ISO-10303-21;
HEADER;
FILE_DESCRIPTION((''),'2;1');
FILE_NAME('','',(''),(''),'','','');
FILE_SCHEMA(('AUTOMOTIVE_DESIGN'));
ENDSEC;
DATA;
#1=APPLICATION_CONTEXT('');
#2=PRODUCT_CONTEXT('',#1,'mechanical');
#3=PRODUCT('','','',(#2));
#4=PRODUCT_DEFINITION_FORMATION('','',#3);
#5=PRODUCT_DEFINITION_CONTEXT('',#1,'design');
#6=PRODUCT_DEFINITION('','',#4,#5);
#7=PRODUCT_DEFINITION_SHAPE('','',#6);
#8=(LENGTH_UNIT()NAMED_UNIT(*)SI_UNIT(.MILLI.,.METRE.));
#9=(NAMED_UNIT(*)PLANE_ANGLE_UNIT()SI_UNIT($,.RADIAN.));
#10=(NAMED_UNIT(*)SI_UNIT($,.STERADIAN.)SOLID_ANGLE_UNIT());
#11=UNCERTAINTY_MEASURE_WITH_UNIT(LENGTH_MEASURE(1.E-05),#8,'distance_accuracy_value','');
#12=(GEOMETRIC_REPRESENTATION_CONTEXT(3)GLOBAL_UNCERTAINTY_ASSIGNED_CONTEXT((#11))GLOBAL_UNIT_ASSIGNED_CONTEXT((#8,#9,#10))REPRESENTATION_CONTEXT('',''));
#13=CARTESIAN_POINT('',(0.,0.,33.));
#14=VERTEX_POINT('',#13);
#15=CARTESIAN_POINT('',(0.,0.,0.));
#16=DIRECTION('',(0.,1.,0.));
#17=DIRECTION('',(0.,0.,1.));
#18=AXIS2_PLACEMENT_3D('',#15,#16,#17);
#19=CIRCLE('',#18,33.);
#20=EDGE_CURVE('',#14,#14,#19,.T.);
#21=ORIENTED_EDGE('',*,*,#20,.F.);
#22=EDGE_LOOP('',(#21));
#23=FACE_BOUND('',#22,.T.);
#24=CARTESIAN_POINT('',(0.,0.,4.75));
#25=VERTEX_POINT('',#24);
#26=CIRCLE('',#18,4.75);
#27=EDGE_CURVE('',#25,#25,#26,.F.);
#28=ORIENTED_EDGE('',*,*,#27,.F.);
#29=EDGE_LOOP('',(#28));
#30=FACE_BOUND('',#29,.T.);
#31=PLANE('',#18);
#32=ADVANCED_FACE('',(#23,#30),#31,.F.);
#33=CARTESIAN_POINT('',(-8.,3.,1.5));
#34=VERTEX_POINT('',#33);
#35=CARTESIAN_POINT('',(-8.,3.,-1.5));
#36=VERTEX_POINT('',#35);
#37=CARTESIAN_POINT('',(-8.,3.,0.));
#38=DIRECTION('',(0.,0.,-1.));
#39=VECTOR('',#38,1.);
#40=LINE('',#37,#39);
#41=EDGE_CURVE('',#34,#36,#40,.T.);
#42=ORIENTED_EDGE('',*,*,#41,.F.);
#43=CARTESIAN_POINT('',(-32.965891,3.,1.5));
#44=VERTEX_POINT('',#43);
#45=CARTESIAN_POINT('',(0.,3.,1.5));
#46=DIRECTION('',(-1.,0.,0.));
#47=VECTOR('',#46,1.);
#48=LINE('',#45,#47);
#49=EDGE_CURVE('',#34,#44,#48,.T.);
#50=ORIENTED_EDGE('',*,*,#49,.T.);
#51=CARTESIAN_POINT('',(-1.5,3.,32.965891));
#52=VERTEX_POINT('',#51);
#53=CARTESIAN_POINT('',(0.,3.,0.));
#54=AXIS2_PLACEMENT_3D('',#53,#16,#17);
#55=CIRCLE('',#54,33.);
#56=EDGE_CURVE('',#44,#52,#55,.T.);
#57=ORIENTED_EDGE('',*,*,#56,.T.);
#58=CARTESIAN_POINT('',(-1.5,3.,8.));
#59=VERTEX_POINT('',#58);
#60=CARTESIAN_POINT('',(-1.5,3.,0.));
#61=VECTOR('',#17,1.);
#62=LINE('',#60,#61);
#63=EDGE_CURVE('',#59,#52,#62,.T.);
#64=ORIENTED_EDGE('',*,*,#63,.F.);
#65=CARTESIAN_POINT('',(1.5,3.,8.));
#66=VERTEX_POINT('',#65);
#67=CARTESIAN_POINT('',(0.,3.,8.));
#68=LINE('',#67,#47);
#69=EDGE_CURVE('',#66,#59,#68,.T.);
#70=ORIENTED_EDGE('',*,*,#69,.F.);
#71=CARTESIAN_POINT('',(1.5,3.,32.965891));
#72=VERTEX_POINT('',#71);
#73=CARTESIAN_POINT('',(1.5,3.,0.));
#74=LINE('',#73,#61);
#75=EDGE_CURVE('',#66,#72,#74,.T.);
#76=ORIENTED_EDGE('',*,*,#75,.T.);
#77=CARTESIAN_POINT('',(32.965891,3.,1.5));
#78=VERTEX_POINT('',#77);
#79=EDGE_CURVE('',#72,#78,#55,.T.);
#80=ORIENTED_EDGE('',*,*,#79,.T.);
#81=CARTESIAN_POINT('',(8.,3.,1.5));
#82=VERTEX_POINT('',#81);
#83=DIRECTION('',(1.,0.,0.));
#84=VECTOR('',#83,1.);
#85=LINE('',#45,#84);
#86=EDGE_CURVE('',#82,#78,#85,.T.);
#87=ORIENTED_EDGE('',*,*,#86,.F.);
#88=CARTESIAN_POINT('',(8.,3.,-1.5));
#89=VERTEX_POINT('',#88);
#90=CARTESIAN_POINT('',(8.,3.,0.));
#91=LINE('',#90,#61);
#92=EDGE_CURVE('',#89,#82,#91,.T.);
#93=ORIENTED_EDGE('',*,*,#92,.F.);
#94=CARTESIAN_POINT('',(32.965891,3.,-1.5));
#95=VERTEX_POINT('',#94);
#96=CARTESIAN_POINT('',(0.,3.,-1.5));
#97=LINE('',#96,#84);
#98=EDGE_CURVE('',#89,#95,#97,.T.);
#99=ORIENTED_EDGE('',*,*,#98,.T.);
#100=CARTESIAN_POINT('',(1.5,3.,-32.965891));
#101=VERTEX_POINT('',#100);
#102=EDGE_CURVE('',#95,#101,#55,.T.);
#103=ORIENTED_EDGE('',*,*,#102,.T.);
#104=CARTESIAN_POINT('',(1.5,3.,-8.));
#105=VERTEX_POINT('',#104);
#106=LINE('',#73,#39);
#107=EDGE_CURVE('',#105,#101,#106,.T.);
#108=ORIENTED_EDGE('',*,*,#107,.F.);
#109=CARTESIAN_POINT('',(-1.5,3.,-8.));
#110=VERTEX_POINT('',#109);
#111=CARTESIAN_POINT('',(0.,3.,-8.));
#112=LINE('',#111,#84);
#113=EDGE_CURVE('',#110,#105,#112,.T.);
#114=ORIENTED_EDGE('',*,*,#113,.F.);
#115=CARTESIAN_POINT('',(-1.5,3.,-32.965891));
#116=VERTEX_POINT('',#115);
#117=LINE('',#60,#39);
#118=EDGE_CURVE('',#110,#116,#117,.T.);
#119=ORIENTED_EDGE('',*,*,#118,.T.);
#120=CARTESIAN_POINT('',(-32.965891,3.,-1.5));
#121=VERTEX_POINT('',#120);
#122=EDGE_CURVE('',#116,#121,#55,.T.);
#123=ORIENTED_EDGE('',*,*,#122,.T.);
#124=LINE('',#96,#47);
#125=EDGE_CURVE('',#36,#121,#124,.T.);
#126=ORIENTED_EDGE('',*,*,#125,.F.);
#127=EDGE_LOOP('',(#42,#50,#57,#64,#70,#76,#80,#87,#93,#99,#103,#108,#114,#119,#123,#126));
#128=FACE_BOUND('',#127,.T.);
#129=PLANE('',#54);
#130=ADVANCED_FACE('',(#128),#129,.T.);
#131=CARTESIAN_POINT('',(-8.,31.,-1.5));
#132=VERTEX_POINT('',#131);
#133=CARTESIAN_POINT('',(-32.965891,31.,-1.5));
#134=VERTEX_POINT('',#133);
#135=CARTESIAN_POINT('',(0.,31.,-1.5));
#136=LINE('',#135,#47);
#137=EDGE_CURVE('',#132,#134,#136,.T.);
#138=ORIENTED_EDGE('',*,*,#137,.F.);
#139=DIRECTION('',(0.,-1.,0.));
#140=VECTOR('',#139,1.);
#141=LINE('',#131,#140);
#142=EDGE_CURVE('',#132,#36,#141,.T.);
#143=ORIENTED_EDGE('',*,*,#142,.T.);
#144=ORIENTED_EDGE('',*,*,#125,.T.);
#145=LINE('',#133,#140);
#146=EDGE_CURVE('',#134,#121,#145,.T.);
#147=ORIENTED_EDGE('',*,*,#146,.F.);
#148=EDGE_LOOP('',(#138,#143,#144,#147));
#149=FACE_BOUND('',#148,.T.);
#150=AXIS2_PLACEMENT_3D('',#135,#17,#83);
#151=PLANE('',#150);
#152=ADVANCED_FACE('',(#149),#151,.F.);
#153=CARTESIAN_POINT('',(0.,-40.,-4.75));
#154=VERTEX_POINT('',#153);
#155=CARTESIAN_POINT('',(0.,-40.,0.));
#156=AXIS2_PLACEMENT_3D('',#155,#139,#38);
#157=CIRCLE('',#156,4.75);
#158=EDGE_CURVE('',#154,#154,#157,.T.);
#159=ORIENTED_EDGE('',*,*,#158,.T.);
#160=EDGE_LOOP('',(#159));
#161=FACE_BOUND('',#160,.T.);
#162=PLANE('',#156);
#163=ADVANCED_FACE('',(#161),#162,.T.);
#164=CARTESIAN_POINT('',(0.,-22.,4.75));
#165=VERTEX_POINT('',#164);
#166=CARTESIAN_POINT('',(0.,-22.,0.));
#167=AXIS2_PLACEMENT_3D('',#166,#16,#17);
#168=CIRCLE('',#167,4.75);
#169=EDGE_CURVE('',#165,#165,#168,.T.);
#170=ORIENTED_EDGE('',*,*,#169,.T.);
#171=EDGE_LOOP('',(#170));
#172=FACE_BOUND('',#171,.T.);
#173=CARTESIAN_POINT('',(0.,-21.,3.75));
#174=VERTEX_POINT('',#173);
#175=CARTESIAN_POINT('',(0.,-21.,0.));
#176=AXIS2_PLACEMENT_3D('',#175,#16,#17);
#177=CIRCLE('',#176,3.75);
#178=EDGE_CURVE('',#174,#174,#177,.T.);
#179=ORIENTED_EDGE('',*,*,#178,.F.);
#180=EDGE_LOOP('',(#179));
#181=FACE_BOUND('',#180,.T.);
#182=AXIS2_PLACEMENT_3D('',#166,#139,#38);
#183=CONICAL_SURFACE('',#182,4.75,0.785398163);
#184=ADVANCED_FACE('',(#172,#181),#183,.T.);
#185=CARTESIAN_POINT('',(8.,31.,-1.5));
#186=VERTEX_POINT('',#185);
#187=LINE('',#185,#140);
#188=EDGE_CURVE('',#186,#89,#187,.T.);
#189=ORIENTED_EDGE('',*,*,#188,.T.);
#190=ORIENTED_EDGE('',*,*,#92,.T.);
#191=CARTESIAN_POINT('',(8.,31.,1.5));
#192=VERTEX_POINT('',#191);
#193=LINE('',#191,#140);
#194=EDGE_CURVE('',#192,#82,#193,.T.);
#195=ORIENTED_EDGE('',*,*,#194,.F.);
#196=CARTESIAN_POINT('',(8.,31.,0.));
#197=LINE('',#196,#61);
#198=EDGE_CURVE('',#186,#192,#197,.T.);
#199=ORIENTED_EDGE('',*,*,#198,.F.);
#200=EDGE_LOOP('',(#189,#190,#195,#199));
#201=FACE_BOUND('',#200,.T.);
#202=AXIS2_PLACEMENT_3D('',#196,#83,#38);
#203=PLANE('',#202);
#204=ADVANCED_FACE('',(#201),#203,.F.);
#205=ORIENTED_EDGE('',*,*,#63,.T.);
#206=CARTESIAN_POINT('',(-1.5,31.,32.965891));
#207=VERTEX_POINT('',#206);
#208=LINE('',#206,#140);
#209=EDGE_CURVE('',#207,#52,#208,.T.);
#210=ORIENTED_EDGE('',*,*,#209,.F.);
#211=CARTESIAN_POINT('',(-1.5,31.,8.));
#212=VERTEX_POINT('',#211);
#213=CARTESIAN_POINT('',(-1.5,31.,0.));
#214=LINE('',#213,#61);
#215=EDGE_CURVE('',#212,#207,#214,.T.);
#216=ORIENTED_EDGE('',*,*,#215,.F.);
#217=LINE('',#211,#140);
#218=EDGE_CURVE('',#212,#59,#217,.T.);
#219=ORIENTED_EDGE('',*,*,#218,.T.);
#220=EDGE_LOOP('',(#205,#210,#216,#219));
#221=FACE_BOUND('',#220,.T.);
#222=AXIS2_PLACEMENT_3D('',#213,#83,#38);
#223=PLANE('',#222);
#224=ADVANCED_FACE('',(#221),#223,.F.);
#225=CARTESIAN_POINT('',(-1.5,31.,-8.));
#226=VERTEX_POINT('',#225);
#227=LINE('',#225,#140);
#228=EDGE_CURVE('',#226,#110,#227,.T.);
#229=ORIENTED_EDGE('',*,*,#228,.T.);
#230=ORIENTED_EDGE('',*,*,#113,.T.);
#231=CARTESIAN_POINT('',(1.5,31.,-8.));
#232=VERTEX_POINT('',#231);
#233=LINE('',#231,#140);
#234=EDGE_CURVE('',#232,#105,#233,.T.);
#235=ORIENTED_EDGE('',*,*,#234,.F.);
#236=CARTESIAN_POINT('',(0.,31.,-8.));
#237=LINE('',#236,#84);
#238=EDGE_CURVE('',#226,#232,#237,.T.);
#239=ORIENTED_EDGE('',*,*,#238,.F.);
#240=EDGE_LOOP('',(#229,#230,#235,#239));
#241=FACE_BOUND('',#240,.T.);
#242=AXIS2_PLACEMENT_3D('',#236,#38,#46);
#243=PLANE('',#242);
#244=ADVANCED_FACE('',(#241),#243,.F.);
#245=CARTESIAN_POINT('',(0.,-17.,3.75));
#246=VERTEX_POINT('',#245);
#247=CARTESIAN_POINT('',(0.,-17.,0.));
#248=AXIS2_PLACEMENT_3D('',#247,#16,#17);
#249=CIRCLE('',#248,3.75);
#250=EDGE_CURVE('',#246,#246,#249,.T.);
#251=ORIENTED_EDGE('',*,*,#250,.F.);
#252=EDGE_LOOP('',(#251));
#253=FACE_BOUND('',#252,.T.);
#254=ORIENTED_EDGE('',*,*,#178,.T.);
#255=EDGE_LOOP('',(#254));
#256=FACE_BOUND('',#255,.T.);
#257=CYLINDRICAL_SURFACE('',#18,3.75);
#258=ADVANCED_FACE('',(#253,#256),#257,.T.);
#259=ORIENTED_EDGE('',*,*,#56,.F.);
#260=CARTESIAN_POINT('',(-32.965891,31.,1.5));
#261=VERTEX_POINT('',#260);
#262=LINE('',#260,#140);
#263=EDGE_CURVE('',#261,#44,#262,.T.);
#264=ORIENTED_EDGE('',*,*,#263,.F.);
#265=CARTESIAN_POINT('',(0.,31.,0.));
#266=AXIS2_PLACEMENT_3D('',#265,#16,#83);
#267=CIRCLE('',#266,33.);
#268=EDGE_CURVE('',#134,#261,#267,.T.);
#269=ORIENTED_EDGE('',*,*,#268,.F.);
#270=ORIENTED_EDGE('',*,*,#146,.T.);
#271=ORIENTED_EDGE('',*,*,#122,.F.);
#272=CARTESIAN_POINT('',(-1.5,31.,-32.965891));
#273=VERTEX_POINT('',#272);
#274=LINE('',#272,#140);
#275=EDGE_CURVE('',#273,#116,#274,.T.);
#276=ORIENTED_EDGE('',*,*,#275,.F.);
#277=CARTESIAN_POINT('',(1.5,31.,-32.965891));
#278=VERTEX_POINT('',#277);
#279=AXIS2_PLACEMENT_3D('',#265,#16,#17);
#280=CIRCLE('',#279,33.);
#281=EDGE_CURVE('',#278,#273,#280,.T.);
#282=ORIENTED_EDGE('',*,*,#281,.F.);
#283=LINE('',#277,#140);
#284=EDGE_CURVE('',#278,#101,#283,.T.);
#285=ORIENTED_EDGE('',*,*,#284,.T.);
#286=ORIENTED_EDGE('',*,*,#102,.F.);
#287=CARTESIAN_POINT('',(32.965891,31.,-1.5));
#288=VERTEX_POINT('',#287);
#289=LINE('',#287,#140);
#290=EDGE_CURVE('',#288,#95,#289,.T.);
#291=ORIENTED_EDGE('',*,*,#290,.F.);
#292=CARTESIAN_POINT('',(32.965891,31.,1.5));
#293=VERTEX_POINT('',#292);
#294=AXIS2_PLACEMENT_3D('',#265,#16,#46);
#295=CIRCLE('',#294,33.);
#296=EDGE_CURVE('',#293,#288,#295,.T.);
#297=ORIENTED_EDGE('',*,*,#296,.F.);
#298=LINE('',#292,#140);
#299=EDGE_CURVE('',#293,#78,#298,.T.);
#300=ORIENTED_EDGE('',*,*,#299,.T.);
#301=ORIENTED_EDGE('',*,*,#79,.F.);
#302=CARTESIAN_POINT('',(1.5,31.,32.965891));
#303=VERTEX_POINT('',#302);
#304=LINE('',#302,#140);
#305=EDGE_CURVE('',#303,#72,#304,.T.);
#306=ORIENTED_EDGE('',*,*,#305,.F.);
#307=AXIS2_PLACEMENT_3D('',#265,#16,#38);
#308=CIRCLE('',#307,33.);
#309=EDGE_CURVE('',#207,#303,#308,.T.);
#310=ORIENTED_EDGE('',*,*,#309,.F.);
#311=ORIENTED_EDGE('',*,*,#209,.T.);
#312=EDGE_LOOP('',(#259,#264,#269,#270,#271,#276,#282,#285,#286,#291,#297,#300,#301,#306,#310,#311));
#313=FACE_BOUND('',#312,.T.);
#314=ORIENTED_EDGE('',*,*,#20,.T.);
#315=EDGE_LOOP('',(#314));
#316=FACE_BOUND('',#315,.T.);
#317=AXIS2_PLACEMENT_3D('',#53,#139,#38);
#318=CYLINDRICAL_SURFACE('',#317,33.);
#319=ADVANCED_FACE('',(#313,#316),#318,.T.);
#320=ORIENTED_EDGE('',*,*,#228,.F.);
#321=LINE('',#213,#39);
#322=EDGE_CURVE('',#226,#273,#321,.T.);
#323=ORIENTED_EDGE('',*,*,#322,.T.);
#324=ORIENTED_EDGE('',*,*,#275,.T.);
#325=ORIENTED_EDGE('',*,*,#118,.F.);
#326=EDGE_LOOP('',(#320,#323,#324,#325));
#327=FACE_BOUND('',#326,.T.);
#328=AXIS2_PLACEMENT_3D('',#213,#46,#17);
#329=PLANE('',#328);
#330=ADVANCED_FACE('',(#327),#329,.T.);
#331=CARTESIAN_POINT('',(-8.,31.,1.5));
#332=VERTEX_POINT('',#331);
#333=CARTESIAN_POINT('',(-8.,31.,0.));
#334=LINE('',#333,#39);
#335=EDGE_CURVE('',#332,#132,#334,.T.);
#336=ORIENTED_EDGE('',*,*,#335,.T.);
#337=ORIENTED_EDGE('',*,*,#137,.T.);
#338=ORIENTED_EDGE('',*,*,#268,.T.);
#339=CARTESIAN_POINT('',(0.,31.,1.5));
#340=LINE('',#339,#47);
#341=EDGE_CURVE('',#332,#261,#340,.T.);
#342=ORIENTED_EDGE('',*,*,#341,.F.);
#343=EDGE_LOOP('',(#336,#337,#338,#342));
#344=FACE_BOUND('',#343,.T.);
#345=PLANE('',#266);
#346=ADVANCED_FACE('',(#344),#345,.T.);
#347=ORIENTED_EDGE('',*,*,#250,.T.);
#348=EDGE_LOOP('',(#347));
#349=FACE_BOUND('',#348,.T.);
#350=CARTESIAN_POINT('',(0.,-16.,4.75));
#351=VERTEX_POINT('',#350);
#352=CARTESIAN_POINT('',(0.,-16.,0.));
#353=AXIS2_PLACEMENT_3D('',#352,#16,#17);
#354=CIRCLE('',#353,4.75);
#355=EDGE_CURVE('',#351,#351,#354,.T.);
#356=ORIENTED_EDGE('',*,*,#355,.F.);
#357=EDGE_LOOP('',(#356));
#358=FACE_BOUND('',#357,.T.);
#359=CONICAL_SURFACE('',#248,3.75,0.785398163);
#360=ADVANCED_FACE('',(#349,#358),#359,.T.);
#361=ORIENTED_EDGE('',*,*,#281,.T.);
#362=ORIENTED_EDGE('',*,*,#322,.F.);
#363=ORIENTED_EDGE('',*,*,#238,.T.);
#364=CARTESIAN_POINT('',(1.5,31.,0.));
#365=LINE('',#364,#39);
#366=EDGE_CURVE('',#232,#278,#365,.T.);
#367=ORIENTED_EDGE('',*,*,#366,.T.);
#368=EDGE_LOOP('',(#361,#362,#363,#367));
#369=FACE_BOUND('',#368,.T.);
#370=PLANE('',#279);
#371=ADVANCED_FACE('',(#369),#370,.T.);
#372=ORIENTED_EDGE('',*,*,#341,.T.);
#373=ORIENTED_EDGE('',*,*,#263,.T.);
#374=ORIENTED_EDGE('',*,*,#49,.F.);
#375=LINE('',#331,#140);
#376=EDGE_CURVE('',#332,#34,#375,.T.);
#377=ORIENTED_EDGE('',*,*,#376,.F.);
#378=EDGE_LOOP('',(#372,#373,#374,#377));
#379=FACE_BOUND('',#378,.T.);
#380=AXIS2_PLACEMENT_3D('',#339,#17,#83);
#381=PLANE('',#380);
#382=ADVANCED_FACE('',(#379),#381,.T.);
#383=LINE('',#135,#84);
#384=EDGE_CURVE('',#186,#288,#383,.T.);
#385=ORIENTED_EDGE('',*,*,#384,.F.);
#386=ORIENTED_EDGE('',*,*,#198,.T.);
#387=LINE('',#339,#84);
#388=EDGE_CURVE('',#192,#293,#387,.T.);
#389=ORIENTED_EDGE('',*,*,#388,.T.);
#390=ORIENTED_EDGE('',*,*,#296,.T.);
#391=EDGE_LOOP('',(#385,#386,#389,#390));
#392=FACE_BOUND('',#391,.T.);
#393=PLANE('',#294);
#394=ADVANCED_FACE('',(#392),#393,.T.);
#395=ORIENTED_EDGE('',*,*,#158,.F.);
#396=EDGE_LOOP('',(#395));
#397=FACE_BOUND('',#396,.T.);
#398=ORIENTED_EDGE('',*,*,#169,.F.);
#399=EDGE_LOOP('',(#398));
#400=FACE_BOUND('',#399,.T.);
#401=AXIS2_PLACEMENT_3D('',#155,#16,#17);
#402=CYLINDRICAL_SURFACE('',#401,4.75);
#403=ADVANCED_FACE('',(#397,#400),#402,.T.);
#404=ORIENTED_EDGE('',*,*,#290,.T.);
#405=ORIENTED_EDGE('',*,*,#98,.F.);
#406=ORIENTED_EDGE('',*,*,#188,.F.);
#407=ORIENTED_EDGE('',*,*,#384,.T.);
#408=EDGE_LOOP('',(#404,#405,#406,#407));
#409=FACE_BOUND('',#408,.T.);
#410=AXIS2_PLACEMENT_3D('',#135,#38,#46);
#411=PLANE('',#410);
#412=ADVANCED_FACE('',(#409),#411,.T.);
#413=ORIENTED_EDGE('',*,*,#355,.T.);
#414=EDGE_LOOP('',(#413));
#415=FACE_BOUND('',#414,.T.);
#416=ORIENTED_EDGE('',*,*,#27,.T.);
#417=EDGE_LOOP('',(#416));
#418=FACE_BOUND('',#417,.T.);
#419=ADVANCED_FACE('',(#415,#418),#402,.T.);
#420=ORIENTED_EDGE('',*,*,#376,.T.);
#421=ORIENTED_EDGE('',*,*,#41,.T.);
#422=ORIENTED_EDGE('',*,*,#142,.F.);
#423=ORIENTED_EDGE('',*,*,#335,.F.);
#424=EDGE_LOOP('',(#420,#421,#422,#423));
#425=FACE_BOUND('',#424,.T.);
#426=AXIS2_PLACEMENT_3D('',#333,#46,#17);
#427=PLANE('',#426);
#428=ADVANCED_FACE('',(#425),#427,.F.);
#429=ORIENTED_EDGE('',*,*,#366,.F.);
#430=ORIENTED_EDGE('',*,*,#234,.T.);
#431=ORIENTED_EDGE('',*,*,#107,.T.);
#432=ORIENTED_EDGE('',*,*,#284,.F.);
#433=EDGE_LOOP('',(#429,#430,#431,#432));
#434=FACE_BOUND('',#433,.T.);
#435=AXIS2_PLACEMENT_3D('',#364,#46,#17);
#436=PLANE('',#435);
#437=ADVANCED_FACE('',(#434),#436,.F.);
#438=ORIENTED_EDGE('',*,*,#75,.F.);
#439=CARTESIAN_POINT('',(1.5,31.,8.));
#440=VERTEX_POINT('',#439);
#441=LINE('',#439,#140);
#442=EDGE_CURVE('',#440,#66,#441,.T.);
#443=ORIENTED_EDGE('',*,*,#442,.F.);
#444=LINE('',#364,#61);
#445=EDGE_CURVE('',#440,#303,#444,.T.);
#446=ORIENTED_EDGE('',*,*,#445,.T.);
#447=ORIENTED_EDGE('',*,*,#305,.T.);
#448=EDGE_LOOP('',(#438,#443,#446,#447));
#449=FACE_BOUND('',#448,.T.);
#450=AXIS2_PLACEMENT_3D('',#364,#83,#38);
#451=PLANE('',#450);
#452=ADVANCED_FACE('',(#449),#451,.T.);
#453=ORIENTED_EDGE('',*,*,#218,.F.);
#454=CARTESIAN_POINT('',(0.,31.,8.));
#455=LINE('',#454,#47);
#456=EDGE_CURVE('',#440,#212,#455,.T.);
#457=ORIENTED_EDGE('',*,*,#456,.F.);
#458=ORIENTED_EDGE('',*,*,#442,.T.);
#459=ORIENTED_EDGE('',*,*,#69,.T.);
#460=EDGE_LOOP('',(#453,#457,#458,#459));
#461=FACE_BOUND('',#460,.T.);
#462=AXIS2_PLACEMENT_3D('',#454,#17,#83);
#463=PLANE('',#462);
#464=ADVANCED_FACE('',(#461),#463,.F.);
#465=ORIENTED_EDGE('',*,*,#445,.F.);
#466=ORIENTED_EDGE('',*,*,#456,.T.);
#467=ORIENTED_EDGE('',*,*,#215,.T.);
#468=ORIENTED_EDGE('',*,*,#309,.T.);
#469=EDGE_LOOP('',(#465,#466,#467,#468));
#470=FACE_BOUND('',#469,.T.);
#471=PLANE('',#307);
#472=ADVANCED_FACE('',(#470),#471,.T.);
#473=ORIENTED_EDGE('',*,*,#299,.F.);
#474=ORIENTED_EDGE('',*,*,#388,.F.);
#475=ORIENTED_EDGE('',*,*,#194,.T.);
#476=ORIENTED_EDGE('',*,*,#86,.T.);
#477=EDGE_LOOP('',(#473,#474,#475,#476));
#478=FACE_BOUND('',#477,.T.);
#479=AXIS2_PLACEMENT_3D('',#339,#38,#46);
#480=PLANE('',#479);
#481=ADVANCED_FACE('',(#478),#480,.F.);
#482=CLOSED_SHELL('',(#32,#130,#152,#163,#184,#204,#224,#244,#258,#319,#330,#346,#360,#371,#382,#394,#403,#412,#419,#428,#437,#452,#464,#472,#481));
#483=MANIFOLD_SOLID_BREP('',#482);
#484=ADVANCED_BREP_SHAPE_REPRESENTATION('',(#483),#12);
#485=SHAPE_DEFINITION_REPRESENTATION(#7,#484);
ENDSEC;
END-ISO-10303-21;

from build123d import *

# Parameters (mm, degrees)
SKETCH1_R           = 33
BOSS_EXTRUDE1_DEPTH = 3
BOSS_EXTRUDE2_DEPTH = 28
CIRPATTERN1_COUNT   = 4
SKETCH5_R           = 4.75
BOSS_EXTRUDE3_DEPTH = 40


with BuildPart() as part:
    # Sketch1 → Boss-Extrude1 (new body)
    with BuildSketch(Plane(origin=(0, 0, 0), x_dir=(1, 0, 0), z_dir=(0, 1, 0))):
        with Locations(Location((0, 0, 0), (0, 0, 270))):
            Circle(SKETCH1_R)
    extrude(amount=BOSS_EXTRUDE1_DEPTH)

    # Sketch2 → Boss-Extrude2 (add)
    with BuildSketch(Plane(origin=(0, 3, 0), x_dir=(1, 0, 0), z_dir=(0, 1, 0))):
        with BuildLine():
            ThreePointArc((1.5, 32.965891464), (0.750193874, 32.991471764), (0, 33))
            Line((0, 33), (0, 8))
            Line((0, 8), (1.5, 8))
            Line((1.5, 8), (1.5, 32.965891464))
        make_face()
        with BuildLine():
            Line((0, 8), (0, 33))
            ThreePointArc((0, 33), (-0.750193874, 32.991471764), (-1.5, 32.965891464))
            Line((-1.5, 32.965891464), (-1.5, 8))
            Line((-1.5, 8), (0, 8))
        make_face()
    boss_extrude2 = extrude(amount=BOSS_EXTRUDE2_DEPTH)

    # CirPattern1: Boss-Extrude2 ×4 about axis
    cirpattern1_axis = Axis((0, 0, 0), (0, 1, 0))
    for i in range(1, CIRPATTERN1_COUNT):
        add(boss_extrude2.rotate(cirpattern1_axis, i * 360 / CIRPATTERN1_COUNT))

    # Sketch5 → Boss-Extrude3 (add)
    with BuildSketch(Plane.XZ):
        with Locations(Location((0, 0, 0), (0, 0, 90))):
            Circle(SKETCH5_R)
    extrude(amount=BOSS_EXTRUDE3_DEPTH)

    # Sketch6 → Cut-Revolve1 (revolve, cut)
    with BuildSketch(Plane.XY, mode=Mode.PRIVATE) as cut_revolve1_sk:
        Polygon((-4.75, -16), (-3.75, -17), (-3.75, -21), (-4.75, -22), align=None)
    revolve(cut_revolve1_sk.sketch.rotate(Axis((0, 0, 0), (0, -1, 0)), 270), axis=Axis((0, 0, 0), (0, -1, 0)), mode=Mode.SUBTRACT)


solid = part.part
